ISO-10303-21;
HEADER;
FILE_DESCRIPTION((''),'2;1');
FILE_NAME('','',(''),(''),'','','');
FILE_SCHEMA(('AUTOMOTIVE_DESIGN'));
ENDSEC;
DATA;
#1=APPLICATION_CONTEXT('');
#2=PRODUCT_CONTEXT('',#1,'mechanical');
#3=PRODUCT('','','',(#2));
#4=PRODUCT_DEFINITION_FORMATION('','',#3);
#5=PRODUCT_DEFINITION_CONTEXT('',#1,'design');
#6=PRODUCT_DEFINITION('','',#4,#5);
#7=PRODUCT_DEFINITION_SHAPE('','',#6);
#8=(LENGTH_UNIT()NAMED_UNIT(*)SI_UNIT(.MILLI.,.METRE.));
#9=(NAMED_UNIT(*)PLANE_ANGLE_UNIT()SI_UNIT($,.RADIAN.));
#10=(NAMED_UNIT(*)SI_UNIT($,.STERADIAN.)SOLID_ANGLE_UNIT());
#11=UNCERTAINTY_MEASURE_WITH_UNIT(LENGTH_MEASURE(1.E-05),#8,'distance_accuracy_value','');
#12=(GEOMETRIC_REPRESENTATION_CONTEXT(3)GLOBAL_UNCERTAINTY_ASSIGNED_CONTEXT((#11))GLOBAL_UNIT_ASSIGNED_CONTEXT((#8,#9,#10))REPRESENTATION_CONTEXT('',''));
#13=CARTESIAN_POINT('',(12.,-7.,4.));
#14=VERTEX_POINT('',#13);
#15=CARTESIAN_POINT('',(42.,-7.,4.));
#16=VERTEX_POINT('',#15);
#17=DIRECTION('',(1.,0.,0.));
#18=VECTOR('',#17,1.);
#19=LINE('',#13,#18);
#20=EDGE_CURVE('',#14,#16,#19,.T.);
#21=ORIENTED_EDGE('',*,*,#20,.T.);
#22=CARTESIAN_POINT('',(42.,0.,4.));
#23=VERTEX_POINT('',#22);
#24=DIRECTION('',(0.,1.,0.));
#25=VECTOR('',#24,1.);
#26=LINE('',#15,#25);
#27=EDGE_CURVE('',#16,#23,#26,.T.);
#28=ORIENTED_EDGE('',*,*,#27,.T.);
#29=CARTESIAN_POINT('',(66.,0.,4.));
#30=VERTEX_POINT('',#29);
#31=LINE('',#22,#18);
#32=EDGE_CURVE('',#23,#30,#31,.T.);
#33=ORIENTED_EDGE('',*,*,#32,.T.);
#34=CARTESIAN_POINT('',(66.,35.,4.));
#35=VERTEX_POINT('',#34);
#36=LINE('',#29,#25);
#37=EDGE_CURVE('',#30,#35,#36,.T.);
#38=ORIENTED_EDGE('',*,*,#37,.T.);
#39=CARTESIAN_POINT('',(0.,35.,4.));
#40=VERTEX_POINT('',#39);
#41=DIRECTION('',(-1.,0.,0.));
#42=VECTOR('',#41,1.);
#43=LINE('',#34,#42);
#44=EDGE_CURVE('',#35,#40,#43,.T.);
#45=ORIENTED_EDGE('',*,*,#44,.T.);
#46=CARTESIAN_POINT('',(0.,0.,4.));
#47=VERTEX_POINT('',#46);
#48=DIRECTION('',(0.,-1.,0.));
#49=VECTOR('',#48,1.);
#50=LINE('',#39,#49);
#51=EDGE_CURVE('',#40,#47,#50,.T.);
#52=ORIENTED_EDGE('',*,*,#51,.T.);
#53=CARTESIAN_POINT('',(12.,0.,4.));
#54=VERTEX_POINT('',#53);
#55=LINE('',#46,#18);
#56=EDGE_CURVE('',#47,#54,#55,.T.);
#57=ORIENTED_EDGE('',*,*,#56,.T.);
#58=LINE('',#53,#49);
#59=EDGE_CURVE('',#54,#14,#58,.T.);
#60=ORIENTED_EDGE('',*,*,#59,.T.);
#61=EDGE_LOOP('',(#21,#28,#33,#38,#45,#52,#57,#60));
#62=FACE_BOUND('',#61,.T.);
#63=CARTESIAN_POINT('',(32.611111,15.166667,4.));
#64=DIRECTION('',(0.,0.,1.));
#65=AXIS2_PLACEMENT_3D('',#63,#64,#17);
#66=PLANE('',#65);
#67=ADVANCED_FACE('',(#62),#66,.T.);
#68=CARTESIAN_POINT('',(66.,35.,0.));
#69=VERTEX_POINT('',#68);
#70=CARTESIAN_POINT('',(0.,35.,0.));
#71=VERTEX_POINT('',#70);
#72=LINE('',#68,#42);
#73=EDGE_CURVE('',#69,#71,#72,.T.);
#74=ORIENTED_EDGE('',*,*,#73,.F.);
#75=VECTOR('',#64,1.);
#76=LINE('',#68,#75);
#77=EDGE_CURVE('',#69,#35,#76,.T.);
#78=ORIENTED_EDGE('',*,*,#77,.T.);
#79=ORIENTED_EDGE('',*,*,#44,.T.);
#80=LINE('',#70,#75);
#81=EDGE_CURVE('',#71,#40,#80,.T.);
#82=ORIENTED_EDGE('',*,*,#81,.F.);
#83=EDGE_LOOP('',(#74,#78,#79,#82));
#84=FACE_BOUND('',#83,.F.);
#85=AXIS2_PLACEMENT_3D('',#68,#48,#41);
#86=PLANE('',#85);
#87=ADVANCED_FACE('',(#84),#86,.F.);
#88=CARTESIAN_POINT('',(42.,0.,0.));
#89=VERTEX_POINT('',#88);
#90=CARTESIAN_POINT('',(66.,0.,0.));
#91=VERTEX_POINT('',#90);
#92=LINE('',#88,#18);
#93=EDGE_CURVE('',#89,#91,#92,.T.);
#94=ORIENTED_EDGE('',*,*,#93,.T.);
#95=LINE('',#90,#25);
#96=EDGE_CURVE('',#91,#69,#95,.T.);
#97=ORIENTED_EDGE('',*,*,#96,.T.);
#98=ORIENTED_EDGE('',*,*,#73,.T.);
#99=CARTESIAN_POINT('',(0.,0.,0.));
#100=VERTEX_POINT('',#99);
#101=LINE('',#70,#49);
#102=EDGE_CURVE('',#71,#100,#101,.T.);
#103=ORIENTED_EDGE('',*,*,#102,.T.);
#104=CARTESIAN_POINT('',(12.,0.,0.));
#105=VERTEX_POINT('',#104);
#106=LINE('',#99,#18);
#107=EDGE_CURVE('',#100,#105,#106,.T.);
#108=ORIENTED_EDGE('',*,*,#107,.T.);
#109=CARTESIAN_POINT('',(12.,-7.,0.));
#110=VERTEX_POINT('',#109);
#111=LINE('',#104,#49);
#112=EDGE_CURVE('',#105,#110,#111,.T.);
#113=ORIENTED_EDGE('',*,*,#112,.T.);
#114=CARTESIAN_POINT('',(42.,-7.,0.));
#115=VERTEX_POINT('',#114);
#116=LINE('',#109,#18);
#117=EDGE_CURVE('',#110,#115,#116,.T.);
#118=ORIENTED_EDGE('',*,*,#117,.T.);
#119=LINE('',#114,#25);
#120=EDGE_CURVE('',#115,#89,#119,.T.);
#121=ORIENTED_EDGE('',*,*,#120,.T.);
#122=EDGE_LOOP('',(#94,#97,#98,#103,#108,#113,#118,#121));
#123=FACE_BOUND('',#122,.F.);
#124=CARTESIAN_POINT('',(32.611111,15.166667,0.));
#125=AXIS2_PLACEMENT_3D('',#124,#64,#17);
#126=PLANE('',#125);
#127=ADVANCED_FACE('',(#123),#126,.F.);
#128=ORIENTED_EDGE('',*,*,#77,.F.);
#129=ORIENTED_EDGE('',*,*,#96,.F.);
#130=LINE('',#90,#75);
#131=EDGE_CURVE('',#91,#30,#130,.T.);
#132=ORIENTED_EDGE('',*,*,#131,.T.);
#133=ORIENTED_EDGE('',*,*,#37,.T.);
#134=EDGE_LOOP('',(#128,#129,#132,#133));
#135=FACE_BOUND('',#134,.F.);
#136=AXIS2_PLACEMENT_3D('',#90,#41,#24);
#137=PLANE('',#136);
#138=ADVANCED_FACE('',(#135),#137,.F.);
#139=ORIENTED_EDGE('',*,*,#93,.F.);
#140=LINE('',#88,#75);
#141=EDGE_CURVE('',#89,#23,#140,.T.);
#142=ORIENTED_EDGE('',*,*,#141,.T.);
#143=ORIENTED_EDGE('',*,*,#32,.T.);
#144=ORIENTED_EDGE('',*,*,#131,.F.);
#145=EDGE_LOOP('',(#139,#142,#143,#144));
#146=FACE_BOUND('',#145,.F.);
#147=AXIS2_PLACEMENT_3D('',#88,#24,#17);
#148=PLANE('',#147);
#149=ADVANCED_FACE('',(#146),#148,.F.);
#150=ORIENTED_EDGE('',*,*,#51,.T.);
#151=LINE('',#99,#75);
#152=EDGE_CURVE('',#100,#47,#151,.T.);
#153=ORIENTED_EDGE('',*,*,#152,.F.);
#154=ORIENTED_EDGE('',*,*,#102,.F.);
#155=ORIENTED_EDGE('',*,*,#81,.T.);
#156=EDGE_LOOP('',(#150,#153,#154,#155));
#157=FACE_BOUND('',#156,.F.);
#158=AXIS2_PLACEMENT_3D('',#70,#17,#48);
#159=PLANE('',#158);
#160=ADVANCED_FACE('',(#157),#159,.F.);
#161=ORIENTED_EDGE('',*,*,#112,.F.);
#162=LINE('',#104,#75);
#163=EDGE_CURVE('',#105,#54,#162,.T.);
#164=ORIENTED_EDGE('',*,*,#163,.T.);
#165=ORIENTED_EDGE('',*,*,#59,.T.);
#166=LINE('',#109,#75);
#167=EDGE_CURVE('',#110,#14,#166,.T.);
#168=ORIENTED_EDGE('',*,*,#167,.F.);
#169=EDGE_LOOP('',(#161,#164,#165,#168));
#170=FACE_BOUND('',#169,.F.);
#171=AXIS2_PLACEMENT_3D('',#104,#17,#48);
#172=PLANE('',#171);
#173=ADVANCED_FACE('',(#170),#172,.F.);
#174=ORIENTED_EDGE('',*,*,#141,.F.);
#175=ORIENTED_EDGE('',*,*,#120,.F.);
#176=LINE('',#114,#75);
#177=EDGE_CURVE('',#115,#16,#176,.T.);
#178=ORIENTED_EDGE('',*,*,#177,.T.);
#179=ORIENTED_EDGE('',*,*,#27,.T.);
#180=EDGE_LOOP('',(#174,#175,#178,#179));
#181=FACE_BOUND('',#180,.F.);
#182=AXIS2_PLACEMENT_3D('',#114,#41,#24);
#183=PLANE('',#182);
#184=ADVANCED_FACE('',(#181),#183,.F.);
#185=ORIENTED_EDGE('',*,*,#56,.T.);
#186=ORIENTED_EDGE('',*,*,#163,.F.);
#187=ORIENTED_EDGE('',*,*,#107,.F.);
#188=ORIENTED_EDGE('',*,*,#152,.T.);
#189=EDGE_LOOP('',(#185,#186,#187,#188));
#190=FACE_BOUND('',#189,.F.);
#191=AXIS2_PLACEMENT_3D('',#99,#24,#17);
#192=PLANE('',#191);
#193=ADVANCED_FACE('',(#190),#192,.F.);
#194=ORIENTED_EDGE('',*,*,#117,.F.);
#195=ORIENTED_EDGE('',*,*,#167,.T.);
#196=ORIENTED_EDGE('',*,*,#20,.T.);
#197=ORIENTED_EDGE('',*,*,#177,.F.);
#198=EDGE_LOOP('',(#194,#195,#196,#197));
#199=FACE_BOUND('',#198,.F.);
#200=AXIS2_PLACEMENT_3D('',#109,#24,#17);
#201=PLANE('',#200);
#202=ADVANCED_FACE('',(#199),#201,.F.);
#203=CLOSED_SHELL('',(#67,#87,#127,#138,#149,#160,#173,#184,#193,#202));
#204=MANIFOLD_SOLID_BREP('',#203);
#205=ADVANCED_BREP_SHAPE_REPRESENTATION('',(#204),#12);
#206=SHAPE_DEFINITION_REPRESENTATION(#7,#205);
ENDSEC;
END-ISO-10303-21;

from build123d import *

# Parameters (mm, degrees)
PAD_DEPTH = 4


with BuildPart() as part:
    # Sketch → Pad (new body)
    with BuildSketch(Plane.XY):
        Polygon((0, 0), (12, 0), (12, -7), (42, -7), (42, 0), (66, 0), (66, 35), (0, 35), align=None)
    extrude(amount=PAD_DEPTH)


solid = part.part
